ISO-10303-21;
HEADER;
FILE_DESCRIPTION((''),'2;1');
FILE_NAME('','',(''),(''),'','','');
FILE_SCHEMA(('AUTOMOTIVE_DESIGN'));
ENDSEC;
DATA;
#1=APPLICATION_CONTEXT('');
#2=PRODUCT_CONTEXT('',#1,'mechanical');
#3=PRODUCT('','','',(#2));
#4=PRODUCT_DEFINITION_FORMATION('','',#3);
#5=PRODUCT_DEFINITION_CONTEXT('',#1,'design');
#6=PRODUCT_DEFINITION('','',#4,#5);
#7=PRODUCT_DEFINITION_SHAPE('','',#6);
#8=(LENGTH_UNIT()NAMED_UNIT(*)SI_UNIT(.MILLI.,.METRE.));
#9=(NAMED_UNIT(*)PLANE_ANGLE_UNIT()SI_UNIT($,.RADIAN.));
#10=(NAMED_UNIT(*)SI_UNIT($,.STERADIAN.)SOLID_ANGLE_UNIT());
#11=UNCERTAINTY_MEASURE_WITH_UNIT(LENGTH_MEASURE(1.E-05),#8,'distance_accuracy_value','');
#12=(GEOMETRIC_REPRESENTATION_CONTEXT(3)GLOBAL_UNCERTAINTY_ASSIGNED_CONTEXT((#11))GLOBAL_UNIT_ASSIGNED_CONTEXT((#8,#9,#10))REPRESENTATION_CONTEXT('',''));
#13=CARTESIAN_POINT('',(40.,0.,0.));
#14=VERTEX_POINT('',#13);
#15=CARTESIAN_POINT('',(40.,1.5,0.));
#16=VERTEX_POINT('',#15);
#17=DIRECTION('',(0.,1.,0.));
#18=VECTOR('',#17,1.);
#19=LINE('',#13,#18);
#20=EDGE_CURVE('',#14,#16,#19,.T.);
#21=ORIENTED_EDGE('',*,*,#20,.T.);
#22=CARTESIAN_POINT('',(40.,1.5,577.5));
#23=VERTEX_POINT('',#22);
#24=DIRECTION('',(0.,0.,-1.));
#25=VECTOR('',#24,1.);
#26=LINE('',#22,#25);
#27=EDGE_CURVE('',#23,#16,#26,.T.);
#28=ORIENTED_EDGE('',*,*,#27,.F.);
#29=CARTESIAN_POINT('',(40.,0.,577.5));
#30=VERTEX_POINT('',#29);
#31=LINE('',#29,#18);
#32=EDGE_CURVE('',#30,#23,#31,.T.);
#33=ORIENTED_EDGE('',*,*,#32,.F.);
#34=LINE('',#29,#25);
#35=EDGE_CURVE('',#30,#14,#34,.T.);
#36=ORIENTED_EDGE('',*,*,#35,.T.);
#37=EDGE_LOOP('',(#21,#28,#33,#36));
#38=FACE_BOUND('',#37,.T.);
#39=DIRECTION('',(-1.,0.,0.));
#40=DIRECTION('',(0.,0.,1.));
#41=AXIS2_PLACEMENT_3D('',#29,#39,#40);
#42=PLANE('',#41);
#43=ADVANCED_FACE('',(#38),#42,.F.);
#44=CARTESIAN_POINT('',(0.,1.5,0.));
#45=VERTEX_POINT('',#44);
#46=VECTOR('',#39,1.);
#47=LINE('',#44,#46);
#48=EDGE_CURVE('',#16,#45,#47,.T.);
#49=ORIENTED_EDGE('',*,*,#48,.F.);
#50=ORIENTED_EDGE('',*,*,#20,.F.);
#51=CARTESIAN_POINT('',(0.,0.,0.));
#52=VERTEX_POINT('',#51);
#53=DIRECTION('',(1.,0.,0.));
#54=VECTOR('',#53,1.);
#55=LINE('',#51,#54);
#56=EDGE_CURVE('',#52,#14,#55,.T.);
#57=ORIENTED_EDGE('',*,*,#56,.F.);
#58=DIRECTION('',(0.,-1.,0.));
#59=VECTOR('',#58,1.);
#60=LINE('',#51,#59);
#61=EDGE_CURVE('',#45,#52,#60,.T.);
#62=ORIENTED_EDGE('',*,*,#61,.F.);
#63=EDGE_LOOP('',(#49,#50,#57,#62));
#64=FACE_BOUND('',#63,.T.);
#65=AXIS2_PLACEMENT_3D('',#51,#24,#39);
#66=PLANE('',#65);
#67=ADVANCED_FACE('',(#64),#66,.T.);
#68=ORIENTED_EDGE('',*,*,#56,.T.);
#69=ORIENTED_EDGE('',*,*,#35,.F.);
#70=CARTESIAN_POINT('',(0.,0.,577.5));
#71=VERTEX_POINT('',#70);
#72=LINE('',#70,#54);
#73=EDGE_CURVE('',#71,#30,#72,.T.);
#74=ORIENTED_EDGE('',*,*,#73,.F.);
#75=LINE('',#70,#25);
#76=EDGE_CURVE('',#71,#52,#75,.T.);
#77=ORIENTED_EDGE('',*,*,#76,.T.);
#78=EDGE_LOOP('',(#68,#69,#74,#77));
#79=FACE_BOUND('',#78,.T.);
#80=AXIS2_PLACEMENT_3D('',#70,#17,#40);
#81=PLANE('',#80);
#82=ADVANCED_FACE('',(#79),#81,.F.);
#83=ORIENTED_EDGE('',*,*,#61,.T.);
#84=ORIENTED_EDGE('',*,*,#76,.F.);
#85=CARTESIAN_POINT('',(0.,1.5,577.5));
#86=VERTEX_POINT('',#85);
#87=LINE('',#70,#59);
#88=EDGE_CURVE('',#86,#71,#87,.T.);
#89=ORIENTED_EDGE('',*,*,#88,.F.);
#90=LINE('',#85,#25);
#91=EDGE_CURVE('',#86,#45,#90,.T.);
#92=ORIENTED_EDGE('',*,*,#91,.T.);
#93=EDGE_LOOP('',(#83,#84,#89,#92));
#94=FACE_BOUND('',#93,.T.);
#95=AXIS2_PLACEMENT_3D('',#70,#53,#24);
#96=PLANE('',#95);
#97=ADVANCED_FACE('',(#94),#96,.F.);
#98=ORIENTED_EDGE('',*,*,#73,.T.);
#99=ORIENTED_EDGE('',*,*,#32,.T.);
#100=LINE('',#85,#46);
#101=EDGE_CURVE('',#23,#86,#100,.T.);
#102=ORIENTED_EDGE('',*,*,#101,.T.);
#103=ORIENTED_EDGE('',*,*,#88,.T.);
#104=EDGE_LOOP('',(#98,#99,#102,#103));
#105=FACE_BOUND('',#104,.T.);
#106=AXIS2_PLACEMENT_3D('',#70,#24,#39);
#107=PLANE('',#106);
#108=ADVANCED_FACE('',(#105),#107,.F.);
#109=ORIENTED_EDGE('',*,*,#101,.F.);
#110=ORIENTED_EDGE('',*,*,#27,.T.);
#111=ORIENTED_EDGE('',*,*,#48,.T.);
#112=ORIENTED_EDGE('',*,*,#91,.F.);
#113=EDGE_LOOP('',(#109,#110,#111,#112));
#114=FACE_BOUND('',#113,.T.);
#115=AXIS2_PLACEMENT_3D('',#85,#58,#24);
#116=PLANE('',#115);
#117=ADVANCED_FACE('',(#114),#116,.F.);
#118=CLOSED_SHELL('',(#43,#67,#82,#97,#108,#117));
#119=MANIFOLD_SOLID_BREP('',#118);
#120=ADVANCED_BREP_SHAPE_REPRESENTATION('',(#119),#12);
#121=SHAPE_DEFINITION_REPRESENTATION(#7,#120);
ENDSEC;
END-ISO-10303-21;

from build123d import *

# Parameters (mm, degrees)
ESQUISSE1_W        = 40
ESQUISSE1_H        = 1.5
BOSS_EXTRU_1_DEPTH = 577.5


with BuildPart() as part:
    # Esquisse1 → Boss.-Extru.1 (new body)
    with BuildSketch(Plane.XY):
        with Locations((20, 0.75)):
            Rectangle(ESQUISSE1_W, ESQUISSE1_H)
    extrude(amount=BOSS_EXTRU_1_DEPTH)


solid = part.part
